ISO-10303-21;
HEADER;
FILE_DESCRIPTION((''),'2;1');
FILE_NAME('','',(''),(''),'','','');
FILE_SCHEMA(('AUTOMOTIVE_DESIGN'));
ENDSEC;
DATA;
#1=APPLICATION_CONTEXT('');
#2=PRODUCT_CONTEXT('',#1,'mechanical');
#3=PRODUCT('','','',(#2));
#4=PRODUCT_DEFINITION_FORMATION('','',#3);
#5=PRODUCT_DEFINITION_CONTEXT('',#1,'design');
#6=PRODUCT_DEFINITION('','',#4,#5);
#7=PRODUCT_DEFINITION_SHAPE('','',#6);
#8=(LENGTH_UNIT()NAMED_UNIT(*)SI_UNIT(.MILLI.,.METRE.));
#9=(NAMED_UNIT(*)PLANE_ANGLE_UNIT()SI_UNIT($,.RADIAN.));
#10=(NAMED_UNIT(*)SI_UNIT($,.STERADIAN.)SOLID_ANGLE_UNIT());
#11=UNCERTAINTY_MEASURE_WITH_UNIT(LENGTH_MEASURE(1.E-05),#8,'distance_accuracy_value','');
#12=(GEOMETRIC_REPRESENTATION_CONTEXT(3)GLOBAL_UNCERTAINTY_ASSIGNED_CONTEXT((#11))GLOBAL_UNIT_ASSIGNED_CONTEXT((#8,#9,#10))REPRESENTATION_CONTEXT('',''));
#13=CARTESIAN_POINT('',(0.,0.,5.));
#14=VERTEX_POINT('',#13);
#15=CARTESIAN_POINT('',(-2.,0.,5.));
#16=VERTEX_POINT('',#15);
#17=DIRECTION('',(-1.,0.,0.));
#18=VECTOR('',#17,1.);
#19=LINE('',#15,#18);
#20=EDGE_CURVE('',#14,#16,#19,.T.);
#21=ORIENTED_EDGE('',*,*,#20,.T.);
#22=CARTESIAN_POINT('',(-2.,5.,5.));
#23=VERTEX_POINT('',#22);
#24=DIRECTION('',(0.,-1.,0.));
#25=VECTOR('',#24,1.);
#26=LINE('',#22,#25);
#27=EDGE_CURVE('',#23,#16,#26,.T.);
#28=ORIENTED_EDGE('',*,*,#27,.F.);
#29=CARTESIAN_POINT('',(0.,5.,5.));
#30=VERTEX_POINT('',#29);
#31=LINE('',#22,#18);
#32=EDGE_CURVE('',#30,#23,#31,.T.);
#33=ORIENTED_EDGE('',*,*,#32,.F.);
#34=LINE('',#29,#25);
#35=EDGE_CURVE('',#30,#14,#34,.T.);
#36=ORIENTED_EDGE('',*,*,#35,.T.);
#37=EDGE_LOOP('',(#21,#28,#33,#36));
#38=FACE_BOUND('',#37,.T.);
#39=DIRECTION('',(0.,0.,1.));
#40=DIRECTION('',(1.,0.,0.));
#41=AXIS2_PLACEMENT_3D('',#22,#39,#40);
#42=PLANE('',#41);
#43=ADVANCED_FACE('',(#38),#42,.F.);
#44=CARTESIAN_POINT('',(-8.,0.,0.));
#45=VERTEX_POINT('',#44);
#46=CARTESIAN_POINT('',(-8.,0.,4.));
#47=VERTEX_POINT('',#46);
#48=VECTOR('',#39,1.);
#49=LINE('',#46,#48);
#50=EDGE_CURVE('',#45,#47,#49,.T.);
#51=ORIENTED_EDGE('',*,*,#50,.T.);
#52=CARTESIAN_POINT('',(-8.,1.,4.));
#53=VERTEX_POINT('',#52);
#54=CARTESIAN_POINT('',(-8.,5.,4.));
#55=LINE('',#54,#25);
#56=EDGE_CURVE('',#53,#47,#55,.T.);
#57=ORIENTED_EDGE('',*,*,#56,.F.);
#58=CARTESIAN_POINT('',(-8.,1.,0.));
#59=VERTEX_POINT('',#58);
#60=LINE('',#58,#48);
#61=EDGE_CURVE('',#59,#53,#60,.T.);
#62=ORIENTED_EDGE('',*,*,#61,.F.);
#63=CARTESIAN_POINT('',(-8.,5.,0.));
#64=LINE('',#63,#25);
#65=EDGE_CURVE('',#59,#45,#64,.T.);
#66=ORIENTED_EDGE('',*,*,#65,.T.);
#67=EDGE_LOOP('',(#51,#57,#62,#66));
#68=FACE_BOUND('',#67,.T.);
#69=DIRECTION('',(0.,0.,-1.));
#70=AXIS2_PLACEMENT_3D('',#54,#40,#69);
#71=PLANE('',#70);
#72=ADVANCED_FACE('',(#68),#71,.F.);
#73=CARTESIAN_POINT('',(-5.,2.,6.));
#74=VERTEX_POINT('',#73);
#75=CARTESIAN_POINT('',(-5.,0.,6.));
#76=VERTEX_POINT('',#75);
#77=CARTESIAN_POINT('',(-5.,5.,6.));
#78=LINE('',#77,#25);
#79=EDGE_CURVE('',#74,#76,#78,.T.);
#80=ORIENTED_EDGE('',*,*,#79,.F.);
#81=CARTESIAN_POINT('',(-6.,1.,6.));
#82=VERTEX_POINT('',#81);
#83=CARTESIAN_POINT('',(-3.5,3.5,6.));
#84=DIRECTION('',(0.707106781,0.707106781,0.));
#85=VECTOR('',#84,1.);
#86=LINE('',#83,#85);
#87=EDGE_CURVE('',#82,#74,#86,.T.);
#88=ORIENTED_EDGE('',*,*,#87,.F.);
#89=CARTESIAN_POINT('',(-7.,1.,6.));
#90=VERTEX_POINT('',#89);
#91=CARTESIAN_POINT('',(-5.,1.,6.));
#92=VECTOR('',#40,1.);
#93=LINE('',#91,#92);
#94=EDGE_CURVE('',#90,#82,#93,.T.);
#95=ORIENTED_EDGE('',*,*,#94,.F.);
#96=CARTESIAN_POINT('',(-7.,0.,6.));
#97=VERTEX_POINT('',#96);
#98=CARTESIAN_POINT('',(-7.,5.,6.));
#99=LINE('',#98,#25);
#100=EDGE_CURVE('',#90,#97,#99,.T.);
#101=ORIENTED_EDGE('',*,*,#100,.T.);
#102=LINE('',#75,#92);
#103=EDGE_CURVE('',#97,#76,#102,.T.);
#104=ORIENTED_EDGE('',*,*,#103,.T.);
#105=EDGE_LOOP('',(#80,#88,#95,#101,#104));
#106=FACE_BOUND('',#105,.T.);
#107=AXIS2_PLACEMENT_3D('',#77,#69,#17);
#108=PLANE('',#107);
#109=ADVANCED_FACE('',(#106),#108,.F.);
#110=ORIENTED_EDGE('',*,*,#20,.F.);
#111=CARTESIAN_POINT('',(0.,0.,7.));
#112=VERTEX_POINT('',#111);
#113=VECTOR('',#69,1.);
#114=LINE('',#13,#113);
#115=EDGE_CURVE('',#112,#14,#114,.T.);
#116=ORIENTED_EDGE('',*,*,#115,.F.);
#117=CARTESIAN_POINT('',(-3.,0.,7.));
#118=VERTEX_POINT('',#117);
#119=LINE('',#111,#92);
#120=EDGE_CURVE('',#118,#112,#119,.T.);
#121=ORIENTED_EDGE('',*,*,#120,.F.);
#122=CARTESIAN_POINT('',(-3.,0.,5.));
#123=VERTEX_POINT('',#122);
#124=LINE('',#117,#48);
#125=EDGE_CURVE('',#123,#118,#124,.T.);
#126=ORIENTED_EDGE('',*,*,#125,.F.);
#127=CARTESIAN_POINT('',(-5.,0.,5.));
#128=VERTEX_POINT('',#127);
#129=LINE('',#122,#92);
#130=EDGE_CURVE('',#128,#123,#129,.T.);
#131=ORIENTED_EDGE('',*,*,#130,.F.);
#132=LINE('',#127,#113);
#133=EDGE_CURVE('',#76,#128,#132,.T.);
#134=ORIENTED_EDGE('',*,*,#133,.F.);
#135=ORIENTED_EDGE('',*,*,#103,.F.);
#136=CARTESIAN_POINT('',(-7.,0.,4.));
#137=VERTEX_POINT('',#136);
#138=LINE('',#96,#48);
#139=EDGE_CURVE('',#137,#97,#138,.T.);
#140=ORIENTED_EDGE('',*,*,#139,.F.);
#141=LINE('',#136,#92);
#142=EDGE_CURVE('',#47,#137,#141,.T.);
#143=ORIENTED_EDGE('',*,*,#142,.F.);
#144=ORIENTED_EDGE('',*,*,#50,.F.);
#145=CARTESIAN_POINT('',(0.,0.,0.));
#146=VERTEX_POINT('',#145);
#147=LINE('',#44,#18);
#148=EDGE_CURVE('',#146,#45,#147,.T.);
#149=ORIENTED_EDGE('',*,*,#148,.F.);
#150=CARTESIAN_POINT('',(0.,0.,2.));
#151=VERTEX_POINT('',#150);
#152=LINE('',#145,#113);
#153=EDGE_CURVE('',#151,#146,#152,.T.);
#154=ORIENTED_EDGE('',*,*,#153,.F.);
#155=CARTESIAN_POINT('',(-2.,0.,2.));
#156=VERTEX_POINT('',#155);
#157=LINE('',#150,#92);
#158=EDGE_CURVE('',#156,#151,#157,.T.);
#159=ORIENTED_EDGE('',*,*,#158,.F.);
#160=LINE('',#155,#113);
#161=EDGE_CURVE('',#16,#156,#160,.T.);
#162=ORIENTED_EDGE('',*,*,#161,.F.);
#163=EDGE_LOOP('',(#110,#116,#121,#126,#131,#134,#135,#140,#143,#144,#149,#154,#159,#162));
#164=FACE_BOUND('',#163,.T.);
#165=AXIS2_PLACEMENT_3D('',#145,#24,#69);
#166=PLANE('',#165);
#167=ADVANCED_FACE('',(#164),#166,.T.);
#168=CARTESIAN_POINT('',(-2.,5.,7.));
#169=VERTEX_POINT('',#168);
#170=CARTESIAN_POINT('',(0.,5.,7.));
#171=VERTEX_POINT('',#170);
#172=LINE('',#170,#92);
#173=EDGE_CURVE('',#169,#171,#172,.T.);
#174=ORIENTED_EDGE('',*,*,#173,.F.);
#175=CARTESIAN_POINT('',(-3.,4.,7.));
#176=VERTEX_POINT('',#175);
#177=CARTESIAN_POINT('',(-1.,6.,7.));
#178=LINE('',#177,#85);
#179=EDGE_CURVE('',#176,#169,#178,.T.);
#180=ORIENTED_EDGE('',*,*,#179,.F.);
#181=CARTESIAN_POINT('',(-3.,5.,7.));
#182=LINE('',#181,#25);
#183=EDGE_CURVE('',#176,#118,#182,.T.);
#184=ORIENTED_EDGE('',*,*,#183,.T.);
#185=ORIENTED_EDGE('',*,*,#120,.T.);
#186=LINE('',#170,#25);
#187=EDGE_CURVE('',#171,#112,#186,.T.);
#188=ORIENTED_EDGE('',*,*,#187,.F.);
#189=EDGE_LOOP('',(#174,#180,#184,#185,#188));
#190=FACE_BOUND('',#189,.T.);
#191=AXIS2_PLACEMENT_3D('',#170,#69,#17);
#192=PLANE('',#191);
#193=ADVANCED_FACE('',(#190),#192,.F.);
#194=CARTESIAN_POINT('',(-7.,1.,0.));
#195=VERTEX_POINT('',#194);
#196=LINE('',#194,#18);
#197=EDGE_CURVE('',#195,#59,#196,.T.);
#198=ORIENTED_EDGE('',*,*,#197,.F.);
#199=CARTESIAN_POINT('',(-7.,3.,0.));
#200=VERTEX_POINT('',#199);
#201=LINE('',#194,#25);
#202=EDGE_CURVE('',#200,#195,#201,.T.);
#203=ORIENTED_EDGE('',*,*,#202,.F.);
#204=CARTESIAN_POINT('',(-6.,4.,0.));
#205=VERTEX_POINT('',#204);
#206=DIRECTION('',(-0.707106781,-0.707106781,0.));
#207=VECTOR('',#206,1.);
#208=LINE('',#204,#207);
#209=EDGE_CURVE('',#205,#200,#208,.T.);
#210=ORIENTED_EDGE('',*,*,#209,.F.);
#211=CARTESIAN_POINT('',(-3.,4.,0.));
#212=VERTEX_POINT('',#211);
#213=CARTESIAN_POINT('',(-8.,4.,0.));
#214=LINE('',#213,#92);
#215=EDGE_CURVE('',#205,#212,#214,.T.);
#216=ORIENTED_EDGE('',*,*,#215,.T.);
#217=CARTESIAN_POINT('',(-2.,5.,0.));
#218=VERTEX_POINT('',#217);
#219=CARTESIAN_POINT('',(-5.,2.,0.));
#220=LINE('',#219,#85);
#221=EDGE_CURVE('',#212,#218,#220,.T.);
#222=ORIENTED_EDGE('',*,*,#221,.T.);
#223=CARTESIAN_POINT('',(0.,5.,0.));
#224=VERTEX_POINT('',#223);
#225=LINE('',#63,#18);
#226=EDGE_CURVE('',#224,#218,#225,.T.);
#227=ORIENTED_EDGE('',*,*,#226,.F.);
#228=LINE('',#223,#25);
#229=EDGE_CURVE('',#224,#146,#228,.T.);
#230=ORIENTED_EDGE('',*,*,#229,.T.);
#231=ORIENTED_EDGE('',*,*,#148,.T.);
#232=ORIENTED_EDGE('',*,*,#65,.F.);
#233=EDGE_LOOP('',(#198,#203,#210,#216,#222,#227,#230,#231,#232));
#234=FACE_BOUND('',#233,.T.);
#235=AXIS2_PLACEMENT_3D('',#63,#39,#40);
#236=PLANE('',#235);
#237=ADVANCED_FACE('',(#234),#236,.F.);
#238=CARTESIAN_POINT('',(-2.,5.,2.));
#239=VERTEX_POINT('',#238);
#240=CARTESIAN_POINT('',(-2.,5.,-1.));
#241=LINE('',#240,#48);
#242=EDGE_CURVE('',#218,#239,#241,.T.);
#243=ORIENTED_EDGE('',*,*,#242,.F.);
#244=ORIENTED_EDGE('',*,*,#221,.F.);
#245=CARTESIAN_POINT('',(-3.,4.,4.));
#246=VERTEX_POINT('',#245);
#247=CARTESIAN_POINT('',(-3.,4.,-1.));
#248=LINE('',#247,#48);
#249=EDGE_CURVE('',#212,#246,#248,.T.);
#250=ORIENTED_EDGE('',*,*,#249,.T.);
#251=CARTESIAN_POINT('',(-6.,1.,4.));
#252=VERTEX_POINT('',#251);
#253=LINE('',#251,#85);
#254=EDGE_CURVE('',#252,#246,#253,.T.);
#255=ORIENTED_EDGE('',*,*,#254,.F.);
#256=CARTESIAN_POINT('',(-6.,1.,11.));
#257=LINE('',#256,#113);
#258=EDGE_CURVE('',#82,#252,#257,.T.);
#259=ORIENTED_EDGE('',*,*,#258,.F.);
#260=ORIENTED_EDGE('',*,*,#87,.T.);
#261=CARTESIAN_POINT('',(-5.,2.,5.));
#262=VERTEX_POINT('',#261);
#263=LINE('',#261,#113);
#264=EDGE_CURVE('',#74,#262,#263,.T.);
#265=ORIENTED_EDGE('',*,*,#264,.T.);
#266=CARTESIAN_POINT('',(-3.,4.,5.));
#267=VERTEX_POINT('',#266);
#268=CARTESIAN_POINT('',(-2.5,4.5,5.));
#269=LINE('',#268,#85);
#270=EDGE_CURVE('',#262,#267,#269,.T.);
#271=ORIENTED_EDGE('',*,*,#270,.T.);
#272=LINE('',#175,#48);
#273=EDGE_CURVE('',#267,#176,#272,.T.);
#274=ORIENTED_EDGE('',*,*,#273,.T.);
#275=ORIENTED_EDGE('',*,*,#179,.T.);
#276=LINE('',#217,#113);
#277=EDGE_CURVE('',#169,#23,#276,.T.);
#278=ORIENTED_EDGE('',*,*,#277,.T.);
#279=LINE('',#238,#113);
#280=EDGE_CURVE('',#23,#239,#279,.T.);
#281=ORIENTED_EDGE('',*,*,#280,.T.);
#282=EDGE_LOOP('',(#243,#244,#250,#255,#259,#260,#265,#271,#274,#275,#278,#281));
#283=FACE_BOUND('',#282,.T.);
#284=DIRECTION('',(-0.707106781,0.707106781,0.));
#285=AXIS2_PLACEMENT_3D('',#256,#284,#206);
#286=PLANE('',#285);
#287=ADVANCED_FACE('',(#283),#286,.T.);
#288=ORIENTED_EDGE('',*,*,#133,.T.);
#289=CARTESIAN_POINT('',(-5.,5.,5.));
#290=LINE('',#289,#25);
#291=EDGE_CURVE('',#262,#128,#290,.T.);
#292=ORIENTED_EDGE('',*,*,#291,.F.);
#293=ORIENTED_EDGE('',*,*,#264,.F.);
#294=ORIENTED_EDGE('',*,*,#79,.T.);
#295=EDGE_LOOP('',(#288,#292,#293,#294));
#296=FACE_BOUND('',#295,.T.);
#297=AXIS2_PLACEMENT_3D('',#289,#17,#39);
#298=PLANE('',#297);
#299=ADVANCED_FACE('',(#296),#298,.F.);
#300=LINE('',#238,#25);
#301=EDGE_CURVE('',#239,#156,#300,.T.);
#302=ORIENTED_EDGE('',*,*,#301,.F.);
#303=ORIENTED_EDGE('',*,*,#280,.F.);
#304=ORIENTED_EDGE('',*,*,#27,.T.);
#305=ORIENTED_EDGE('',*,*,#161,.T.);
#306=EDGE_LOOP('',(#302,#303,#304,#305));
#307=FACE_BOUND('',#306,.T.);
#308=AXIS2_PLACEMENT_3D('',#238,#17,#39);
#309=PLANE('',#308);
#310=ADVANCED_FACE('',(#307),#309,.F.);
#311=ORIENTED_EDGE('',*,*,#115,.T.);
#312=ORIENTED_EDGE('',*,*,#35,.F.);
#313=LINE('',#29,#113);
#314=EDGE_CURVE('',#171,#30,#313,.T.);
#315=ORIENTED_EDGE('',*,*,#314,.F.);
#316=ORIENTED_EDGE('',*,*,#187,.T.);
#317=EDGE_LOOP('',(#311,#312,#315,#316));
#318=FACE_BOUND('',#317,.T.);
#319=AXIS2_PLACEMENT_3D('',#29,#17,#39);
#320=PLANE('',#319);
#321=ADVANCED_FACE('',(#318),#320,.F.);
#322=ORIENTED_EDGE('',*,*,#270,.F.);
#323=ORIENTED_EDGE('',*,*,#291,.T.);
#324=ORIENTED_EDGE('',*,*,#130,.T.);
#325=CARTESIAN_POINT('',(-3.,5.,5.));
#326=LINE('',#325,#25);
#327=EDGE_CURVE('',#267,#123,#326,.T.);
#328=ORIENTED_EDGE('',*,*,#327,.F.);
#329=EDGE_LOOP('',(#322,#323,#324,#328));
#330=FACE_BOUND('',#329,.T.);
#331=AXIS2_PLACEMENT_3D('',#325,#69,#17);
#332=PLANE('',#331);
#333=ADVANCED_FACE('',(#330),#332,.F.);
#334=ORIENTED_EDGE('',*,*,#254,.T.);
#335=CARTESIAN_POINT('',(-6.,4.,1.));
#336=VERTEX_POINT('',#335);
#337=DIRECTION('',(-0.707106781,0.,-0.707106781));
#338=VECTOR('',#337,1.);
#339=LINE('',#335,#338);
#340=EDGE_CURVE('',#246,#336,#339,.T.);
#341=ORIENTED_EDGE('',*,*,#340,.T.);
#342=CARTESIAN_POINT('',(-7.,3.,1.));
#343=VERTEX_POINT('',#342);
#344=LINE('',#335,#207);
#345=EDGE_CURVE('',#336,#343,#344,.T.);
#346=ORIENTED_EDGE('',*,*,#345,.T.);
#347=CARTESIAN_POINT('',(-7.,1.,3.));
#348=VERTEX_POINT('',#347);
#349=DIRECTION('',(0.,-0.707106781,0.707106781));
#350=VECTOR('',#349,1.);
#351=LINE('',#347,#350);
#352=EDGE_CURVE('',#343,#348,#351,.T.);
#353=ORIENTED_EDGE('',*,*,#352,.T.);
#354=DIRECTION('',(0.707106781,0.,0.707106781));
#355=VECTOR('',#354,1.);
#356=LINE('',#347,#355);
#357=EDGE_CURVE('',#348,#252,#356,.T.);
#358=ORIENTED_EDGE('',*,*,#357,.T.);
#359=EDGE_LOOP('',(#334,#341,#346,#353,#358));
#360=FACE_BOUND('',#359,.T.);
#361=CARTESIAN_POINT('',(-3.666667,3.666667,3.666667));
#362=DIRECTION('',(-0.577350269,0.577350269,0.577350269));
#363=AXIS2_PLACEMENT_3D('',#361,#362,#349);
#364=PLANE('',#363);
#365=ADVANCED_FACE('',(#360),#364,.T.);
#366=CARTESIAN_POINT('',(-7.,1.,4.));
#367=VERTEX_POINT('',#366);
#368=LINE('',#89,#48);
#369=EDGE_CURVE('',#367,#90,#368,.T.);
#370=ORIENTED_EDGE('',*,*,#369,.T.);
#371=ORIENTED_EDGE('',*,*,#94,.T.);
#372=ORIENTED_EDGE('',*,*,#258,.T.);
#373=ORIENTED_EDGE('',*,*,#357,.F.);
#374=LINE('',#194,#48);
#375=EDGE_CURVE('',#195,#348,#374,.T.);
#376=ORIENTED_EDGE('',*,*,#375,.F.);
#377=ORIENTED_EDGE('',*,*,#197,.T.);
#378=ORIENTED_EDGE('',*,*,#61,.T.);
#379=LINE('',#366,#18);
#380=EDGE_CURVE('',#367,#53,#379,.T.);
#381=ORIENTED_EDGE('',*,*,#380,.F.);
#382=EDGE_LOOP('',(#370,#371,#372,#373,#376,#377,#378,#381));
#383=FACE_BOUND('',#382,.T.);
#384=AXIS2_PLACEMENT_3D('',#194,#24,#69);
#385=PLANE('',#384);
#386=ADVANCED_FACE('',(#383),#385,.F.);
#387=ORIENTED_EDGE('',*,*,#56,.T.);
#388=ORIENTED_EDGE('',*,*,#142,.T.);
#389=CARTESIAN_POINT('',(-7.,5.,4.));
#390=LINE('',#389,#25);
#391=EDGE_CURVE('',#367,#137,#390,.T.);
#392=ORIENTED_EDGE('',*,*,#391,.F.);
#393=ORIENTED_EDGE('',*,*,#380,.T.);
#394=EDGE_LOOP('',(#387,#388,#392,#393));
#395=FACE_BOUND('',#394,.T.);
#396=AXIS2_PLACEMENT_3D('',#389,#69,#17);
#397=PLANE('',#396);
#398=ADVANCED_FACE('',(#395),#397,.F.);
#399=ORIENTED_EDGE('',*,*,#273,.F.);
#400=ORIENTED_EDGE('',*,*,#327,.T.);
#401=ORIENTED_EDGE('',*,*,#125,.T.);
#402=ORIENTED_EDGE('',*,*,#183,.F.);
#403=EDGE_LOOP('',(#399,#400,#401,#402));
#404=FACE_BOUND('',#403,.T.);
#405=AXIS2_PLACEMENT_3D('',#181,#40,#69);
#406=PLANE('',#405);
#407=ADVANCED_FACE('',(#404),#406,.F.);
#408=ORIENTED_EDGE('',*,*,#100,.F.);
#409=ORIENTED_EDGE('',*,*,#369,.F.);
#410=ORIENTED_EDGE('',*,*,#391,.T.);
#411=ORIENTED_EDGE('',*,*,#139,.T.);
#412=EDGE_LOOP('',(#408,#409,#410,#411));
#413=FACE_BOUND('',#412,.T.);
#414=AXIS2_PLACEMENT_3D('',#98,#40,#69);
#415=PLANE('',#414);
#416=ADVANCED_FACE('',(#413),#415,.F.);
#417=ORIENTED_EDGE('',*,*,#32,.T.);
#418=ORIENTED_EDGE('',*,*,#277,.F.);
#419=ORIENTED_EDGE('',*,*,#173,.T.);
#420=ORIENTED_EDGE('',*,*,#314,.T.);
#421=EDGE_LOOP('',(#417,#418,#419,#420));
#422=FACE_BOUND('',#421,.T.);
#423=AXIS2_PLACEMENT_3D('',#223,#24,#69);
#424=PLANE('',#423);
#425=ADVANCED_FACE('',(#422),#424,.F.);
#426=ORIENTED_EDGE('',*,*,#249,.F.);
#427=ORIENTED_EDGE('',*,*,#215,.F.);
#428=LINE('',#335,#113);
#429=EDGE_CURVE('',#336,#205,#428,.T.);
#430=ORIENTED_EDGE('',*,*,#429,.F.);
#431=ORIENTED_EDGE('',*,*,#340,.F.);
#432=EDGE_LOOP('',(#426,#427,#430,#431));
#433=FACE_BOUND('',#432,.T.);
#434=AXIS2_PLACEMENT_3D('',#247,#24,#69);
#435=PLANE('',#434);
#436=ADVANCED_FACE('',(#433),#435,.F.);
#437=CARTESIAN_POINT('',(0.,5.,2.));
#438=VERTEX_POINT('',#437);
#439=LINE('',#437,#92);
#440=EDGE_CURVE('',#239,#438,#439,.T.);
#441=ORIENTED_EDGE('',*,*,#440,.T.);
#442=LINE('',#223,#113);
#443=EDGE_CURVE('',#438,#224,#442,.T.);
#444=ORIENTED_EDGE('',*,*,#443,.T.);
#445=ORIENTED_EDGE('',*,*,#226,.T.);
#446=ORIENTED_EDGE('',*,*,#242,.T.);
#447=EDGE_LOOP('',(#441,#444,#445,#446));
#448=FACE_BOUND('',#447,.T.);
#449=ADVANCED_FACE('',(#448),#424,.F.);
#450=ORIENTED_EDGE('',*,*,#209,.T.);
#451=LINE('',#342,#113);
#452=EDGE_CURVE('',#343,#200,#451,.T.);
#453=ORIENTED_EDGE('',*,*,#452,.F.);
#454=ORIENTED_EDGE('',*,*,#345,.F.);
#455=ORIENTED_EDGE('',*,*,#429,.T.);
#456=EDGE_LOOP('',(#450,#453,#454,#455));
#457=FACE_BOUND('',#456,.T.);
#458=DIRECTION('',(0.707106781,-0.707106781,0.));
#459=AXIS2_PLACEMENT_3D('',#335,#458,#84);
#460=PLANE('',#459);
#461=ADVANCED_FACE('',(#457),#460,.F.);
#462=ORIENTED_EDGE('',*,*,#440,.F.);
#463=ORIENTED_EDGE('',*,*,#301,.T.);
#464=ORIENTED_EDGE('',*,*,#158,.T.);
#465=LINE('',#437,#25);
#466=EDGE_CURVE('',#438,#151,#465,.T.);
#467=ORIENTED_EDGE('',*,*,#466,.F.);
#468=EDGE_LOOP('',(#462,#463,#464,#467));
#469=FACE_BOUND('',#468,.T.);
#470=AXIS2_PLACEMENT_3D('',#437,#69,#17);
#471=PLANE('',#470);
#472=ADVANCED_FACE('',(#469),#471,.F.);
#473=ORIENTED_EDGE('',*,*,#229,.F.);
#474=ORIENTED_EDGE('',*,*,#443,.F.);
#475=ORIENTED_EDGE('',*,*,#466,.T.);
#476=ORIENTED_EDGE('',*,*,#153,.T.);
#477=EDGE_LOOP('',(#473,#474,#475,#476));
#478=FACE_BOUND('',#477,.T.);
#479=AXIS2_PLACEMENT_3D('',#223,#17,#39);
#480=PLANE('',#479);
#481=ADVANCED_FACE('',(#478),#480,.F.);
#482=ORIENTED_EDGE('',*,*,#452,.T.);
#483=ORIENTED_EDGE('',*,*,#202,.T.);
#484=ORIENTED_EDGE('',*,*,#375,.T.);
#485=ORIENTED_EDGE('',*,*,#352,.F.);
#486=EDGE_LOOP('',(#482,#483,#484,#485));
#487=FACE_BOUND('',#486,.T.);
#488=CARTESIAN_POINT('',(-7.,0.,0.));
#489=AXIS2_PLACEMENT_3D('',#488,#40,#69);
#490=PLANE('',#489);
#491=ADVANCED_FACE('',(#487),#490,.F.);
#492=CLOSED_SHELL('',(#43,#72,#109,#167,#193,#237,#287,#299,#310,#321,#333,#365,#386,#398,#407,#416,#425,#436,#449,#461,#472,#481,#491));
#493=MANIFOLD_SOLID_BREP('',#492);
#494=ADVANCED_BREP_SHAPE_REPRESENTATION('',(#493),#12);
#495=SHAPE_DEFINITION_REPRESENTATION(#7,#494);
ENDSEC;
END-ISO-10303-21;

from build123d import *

# Parameters (mm, degrees)
BOSS_EXTRUDE1_DEPTH     = 5
CUT_EXTRUDE1_DEPTH      = 5
CUT_EXTRUDE1_DEPTH_BACK = 2
CUT_EXTRUDE3_DEPTH      = 5
SKETCH5_W               = 4
SKETCH5_H               = 3
CUT_EXTRUDE4_DEPTH      = 1
CUT_EXTRUDE5_DEPTH      = 1
CUT_EXTRUDE6_DEPTH      = 1


with BuildPart() as part:
    # Sketch1 → Boss-Extrude1 (new body)
    with BuildSketch(Plane(origin=(0, 0, 0), x_dir=(1, 0, 0), z_dir=(0, 1, 0))):
        Polygon((0, 0), (0, -2), (-2, -2), (-2, -5), (0, -5), (0, -7), (-3, -7), (-3, -5), (-5, -5), (-5, -6), (-7, -6), (-7, -4), (-8, -4), (-8, 0), align=None)
    extrude(amount=BOSS_EXTRUDE1_DEPTH)

    # Sketch2 → Cut-Extrude1 (cut, two sides)
    with BuildSketch(Plane.XY.offset(6)) as cut_extrude1_sk:
        Polygon((-8, 1), (-6, 1), (-2, 5), (-8, 5), align=None)
    extrude(amount=CUT_EXTRUDE1_DEPTH, mode=Mode.SUBTRACT)
    extrude(cut_extrude1_sk.sketch, amount=-CUT_EXTRUDE1_DEPTH_BACK, mode=Mode.SUBTRACT)

    # Sketch3 → Cut-Extrude3 (cut)
    with BuildSketch(Plane.XY.offset(4)):
        Polygon((-2, 5), (-3, 5), (-8, 5), (-8, 4), (-3, 4), align=None)
    extrude(amount=-CUT_EXTRUDE3_DEPTH, mode=Mode.SUBTRACT)

    # Sketch5 → Cut-Extrude4 (cut)
    with BuildSketch(Plane.ZY.offset(8)):
        with Locations((2, 2.5)):
            Rectangle(SKETCH5_W, SKETCH5_H)
    extrude(amount=-CUT_EXTRUDE4_DEPTH, mode=Mode.SUBTRACT)

    # Sketch7 → Cut-Extrude5 (cut)
    with BuildSketch(Plane(origin=(0, 0, 0), x_dir=(-1, 0, 0), z_dir=(0, 0, -1))):
        Polygon((6, 4), (7, 3), (7, 4), align=None)
    extrude(amount=-CUT_EXTRUDE5_DEPTH, mode=Mode.SUBTRACT)

    # 3DSketch1 → Cut-Extrude6 (cut, along a direction that is not the sketch's normal)
    with BuildSketch(Plane(origin=(-7, 1, 3), x_dir=(0.7844645405527364, 0.588348405414552, 0.19611613513818382), z_dir=(-0.5773502691896255, 0.577350269189626, 0.5773502691896261))):
        Polygon((0, 0), (0.784464541, 2.717464882), (2.157277487, 3.057147992), (5.099019514, 0), (0.980580676, -1.019049331), align=None)
    extrude(amount=CUT_EXTRUDE6_DEPTH, dir=(-1, 0, 0), mode=Mode.SUBTRACT)


with BuildPart() as body_2:
    # of the pieces the cut leaves, the one that is kept (cut_extrude6_keep)
    add(part.part.solids().sort_by_distance((0, 0, 0))[0])


solid = body_2.part
